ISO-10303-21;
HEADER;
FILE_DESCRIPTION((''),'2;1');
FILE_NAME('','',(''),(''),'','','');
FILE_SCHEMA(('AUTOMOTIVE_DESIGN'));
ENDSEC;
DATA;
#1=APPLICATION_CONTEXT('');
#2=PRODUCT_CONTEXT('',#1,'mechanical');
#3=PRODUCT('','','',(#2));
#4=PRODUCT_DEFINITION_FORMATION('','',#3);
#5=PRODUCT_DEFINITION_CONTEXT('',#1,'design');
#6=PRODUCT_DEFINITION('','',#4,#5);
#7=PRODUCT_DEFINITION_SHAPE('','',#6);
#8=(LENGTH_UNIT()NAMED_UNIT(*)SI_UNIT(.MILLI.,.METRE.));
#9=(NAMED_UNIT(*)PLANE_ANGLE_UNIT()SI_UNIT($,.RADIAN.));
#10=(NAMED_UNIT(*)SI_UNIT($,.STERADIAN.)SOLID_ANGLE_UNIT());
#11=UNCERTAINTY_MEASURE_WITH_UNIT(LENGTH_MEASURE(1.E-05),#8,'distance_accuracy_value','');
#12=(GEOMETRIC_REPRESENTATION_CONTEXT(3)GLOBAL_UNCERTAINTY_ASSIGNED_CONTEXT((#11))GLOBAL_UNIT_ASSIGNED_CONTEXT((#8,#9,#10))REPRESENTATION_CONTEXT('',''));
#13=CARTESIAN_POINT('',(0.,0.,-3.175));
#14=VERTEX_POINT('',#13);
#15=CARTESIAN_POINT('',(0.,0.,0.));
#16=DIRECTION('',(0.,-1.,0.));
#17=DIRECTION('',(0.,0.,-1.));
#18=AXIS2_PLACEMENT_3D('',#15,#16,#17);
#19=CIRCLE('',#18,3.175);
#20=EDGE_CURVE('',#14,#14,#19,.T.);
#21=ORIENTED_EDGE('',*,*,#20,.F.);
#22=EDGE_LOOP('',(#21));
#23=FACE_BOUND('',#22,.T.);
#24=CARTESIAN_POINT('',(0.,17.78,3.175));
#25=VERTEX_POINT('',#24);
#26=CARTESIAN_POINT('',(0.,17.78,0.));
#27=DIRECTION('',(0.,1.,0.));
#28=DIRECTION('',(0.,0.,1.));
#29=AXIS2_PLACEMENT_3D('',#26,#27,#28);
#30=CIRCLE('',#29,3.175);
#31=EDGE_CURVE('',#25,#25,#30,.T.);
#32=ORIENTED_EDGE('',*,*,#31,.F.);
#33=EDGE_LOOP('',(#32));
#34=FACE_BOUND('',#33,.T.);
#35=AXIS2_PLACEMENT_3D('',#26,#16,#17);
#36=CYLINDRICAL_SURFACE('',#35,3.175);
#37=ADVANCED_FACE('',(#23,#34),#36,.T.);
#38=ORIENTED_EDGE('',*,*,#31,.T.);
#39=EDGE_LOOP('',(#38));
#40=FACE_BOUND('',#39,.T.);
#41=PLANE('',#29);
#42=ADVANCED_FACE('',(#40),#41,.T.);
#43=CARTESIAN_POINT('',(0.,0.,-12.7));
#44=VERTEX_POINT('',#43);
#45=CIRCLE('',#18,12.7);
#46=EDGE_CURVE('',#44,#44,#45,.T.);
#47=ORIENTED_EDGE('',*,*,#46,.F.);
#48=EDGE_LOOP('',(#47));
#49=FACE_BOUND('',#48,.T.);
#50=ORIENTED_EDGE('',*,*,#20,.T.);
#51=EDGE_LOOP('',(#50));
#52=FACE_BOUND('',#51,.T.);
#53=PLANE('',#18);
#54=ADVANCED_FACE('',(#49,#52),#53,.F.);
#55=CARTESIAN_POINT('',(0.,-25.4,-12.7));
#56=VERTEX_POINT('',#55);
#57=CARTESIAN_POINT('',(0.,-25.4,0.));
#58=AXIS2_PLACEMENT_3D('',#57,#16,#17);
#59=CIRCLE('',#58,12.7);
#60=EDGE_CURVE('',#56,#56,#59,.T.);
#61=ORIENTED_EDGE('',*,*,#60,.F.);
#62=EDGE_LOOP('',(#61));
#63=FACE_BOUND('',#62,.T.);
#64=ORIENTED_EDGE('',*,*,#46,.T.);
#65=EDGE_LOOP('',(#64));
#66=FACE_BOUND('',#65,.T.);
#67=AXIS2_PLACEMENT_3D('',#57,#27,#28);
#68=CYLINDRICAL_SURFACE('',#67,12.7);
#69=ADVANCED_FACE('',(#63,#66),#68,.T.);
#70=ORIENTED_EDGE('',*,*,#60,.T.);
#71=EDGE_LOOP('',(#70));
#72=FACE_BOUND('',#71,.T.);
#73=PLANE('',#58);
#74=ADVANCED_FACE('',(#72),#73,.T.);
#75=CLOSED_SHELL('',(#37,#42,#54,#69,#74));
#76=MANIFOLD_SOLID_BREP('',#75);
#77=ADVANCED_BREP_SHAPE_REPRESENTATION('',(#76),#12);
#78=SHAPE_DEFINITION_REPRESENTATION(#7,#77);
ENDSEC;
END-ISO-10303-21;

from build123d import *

# Parameters (mm, degrees)
SKETCH1_R           = 3.175
BOSS_EXTRUDE1_DEPTH = 17.78
SKETCH2_R           = 12.7
BOSS_EXTRUDE2_DEPTH = 25.4


with BuildPart() as part:
    # Sketch1 → Boss-Extrude1 (new body)
    with BuildSketch(Plane(origin=(0, 0, 0), x_dir=(1, 0, 0), z_dir=(0, 1, 0))):
        Circle(SKETCH1_R)
    extrude(amount=BOSS_EXTRUDE1_DEPTH)

    # Sketch2 → Boss-Extrude2 (add)
    with BuildSketch(Plane.XZ):
        Circle(SKETCH2_R)
    extrude(amount=BOSS_EXTRUDE2_DEPTH)


solid = part.part
